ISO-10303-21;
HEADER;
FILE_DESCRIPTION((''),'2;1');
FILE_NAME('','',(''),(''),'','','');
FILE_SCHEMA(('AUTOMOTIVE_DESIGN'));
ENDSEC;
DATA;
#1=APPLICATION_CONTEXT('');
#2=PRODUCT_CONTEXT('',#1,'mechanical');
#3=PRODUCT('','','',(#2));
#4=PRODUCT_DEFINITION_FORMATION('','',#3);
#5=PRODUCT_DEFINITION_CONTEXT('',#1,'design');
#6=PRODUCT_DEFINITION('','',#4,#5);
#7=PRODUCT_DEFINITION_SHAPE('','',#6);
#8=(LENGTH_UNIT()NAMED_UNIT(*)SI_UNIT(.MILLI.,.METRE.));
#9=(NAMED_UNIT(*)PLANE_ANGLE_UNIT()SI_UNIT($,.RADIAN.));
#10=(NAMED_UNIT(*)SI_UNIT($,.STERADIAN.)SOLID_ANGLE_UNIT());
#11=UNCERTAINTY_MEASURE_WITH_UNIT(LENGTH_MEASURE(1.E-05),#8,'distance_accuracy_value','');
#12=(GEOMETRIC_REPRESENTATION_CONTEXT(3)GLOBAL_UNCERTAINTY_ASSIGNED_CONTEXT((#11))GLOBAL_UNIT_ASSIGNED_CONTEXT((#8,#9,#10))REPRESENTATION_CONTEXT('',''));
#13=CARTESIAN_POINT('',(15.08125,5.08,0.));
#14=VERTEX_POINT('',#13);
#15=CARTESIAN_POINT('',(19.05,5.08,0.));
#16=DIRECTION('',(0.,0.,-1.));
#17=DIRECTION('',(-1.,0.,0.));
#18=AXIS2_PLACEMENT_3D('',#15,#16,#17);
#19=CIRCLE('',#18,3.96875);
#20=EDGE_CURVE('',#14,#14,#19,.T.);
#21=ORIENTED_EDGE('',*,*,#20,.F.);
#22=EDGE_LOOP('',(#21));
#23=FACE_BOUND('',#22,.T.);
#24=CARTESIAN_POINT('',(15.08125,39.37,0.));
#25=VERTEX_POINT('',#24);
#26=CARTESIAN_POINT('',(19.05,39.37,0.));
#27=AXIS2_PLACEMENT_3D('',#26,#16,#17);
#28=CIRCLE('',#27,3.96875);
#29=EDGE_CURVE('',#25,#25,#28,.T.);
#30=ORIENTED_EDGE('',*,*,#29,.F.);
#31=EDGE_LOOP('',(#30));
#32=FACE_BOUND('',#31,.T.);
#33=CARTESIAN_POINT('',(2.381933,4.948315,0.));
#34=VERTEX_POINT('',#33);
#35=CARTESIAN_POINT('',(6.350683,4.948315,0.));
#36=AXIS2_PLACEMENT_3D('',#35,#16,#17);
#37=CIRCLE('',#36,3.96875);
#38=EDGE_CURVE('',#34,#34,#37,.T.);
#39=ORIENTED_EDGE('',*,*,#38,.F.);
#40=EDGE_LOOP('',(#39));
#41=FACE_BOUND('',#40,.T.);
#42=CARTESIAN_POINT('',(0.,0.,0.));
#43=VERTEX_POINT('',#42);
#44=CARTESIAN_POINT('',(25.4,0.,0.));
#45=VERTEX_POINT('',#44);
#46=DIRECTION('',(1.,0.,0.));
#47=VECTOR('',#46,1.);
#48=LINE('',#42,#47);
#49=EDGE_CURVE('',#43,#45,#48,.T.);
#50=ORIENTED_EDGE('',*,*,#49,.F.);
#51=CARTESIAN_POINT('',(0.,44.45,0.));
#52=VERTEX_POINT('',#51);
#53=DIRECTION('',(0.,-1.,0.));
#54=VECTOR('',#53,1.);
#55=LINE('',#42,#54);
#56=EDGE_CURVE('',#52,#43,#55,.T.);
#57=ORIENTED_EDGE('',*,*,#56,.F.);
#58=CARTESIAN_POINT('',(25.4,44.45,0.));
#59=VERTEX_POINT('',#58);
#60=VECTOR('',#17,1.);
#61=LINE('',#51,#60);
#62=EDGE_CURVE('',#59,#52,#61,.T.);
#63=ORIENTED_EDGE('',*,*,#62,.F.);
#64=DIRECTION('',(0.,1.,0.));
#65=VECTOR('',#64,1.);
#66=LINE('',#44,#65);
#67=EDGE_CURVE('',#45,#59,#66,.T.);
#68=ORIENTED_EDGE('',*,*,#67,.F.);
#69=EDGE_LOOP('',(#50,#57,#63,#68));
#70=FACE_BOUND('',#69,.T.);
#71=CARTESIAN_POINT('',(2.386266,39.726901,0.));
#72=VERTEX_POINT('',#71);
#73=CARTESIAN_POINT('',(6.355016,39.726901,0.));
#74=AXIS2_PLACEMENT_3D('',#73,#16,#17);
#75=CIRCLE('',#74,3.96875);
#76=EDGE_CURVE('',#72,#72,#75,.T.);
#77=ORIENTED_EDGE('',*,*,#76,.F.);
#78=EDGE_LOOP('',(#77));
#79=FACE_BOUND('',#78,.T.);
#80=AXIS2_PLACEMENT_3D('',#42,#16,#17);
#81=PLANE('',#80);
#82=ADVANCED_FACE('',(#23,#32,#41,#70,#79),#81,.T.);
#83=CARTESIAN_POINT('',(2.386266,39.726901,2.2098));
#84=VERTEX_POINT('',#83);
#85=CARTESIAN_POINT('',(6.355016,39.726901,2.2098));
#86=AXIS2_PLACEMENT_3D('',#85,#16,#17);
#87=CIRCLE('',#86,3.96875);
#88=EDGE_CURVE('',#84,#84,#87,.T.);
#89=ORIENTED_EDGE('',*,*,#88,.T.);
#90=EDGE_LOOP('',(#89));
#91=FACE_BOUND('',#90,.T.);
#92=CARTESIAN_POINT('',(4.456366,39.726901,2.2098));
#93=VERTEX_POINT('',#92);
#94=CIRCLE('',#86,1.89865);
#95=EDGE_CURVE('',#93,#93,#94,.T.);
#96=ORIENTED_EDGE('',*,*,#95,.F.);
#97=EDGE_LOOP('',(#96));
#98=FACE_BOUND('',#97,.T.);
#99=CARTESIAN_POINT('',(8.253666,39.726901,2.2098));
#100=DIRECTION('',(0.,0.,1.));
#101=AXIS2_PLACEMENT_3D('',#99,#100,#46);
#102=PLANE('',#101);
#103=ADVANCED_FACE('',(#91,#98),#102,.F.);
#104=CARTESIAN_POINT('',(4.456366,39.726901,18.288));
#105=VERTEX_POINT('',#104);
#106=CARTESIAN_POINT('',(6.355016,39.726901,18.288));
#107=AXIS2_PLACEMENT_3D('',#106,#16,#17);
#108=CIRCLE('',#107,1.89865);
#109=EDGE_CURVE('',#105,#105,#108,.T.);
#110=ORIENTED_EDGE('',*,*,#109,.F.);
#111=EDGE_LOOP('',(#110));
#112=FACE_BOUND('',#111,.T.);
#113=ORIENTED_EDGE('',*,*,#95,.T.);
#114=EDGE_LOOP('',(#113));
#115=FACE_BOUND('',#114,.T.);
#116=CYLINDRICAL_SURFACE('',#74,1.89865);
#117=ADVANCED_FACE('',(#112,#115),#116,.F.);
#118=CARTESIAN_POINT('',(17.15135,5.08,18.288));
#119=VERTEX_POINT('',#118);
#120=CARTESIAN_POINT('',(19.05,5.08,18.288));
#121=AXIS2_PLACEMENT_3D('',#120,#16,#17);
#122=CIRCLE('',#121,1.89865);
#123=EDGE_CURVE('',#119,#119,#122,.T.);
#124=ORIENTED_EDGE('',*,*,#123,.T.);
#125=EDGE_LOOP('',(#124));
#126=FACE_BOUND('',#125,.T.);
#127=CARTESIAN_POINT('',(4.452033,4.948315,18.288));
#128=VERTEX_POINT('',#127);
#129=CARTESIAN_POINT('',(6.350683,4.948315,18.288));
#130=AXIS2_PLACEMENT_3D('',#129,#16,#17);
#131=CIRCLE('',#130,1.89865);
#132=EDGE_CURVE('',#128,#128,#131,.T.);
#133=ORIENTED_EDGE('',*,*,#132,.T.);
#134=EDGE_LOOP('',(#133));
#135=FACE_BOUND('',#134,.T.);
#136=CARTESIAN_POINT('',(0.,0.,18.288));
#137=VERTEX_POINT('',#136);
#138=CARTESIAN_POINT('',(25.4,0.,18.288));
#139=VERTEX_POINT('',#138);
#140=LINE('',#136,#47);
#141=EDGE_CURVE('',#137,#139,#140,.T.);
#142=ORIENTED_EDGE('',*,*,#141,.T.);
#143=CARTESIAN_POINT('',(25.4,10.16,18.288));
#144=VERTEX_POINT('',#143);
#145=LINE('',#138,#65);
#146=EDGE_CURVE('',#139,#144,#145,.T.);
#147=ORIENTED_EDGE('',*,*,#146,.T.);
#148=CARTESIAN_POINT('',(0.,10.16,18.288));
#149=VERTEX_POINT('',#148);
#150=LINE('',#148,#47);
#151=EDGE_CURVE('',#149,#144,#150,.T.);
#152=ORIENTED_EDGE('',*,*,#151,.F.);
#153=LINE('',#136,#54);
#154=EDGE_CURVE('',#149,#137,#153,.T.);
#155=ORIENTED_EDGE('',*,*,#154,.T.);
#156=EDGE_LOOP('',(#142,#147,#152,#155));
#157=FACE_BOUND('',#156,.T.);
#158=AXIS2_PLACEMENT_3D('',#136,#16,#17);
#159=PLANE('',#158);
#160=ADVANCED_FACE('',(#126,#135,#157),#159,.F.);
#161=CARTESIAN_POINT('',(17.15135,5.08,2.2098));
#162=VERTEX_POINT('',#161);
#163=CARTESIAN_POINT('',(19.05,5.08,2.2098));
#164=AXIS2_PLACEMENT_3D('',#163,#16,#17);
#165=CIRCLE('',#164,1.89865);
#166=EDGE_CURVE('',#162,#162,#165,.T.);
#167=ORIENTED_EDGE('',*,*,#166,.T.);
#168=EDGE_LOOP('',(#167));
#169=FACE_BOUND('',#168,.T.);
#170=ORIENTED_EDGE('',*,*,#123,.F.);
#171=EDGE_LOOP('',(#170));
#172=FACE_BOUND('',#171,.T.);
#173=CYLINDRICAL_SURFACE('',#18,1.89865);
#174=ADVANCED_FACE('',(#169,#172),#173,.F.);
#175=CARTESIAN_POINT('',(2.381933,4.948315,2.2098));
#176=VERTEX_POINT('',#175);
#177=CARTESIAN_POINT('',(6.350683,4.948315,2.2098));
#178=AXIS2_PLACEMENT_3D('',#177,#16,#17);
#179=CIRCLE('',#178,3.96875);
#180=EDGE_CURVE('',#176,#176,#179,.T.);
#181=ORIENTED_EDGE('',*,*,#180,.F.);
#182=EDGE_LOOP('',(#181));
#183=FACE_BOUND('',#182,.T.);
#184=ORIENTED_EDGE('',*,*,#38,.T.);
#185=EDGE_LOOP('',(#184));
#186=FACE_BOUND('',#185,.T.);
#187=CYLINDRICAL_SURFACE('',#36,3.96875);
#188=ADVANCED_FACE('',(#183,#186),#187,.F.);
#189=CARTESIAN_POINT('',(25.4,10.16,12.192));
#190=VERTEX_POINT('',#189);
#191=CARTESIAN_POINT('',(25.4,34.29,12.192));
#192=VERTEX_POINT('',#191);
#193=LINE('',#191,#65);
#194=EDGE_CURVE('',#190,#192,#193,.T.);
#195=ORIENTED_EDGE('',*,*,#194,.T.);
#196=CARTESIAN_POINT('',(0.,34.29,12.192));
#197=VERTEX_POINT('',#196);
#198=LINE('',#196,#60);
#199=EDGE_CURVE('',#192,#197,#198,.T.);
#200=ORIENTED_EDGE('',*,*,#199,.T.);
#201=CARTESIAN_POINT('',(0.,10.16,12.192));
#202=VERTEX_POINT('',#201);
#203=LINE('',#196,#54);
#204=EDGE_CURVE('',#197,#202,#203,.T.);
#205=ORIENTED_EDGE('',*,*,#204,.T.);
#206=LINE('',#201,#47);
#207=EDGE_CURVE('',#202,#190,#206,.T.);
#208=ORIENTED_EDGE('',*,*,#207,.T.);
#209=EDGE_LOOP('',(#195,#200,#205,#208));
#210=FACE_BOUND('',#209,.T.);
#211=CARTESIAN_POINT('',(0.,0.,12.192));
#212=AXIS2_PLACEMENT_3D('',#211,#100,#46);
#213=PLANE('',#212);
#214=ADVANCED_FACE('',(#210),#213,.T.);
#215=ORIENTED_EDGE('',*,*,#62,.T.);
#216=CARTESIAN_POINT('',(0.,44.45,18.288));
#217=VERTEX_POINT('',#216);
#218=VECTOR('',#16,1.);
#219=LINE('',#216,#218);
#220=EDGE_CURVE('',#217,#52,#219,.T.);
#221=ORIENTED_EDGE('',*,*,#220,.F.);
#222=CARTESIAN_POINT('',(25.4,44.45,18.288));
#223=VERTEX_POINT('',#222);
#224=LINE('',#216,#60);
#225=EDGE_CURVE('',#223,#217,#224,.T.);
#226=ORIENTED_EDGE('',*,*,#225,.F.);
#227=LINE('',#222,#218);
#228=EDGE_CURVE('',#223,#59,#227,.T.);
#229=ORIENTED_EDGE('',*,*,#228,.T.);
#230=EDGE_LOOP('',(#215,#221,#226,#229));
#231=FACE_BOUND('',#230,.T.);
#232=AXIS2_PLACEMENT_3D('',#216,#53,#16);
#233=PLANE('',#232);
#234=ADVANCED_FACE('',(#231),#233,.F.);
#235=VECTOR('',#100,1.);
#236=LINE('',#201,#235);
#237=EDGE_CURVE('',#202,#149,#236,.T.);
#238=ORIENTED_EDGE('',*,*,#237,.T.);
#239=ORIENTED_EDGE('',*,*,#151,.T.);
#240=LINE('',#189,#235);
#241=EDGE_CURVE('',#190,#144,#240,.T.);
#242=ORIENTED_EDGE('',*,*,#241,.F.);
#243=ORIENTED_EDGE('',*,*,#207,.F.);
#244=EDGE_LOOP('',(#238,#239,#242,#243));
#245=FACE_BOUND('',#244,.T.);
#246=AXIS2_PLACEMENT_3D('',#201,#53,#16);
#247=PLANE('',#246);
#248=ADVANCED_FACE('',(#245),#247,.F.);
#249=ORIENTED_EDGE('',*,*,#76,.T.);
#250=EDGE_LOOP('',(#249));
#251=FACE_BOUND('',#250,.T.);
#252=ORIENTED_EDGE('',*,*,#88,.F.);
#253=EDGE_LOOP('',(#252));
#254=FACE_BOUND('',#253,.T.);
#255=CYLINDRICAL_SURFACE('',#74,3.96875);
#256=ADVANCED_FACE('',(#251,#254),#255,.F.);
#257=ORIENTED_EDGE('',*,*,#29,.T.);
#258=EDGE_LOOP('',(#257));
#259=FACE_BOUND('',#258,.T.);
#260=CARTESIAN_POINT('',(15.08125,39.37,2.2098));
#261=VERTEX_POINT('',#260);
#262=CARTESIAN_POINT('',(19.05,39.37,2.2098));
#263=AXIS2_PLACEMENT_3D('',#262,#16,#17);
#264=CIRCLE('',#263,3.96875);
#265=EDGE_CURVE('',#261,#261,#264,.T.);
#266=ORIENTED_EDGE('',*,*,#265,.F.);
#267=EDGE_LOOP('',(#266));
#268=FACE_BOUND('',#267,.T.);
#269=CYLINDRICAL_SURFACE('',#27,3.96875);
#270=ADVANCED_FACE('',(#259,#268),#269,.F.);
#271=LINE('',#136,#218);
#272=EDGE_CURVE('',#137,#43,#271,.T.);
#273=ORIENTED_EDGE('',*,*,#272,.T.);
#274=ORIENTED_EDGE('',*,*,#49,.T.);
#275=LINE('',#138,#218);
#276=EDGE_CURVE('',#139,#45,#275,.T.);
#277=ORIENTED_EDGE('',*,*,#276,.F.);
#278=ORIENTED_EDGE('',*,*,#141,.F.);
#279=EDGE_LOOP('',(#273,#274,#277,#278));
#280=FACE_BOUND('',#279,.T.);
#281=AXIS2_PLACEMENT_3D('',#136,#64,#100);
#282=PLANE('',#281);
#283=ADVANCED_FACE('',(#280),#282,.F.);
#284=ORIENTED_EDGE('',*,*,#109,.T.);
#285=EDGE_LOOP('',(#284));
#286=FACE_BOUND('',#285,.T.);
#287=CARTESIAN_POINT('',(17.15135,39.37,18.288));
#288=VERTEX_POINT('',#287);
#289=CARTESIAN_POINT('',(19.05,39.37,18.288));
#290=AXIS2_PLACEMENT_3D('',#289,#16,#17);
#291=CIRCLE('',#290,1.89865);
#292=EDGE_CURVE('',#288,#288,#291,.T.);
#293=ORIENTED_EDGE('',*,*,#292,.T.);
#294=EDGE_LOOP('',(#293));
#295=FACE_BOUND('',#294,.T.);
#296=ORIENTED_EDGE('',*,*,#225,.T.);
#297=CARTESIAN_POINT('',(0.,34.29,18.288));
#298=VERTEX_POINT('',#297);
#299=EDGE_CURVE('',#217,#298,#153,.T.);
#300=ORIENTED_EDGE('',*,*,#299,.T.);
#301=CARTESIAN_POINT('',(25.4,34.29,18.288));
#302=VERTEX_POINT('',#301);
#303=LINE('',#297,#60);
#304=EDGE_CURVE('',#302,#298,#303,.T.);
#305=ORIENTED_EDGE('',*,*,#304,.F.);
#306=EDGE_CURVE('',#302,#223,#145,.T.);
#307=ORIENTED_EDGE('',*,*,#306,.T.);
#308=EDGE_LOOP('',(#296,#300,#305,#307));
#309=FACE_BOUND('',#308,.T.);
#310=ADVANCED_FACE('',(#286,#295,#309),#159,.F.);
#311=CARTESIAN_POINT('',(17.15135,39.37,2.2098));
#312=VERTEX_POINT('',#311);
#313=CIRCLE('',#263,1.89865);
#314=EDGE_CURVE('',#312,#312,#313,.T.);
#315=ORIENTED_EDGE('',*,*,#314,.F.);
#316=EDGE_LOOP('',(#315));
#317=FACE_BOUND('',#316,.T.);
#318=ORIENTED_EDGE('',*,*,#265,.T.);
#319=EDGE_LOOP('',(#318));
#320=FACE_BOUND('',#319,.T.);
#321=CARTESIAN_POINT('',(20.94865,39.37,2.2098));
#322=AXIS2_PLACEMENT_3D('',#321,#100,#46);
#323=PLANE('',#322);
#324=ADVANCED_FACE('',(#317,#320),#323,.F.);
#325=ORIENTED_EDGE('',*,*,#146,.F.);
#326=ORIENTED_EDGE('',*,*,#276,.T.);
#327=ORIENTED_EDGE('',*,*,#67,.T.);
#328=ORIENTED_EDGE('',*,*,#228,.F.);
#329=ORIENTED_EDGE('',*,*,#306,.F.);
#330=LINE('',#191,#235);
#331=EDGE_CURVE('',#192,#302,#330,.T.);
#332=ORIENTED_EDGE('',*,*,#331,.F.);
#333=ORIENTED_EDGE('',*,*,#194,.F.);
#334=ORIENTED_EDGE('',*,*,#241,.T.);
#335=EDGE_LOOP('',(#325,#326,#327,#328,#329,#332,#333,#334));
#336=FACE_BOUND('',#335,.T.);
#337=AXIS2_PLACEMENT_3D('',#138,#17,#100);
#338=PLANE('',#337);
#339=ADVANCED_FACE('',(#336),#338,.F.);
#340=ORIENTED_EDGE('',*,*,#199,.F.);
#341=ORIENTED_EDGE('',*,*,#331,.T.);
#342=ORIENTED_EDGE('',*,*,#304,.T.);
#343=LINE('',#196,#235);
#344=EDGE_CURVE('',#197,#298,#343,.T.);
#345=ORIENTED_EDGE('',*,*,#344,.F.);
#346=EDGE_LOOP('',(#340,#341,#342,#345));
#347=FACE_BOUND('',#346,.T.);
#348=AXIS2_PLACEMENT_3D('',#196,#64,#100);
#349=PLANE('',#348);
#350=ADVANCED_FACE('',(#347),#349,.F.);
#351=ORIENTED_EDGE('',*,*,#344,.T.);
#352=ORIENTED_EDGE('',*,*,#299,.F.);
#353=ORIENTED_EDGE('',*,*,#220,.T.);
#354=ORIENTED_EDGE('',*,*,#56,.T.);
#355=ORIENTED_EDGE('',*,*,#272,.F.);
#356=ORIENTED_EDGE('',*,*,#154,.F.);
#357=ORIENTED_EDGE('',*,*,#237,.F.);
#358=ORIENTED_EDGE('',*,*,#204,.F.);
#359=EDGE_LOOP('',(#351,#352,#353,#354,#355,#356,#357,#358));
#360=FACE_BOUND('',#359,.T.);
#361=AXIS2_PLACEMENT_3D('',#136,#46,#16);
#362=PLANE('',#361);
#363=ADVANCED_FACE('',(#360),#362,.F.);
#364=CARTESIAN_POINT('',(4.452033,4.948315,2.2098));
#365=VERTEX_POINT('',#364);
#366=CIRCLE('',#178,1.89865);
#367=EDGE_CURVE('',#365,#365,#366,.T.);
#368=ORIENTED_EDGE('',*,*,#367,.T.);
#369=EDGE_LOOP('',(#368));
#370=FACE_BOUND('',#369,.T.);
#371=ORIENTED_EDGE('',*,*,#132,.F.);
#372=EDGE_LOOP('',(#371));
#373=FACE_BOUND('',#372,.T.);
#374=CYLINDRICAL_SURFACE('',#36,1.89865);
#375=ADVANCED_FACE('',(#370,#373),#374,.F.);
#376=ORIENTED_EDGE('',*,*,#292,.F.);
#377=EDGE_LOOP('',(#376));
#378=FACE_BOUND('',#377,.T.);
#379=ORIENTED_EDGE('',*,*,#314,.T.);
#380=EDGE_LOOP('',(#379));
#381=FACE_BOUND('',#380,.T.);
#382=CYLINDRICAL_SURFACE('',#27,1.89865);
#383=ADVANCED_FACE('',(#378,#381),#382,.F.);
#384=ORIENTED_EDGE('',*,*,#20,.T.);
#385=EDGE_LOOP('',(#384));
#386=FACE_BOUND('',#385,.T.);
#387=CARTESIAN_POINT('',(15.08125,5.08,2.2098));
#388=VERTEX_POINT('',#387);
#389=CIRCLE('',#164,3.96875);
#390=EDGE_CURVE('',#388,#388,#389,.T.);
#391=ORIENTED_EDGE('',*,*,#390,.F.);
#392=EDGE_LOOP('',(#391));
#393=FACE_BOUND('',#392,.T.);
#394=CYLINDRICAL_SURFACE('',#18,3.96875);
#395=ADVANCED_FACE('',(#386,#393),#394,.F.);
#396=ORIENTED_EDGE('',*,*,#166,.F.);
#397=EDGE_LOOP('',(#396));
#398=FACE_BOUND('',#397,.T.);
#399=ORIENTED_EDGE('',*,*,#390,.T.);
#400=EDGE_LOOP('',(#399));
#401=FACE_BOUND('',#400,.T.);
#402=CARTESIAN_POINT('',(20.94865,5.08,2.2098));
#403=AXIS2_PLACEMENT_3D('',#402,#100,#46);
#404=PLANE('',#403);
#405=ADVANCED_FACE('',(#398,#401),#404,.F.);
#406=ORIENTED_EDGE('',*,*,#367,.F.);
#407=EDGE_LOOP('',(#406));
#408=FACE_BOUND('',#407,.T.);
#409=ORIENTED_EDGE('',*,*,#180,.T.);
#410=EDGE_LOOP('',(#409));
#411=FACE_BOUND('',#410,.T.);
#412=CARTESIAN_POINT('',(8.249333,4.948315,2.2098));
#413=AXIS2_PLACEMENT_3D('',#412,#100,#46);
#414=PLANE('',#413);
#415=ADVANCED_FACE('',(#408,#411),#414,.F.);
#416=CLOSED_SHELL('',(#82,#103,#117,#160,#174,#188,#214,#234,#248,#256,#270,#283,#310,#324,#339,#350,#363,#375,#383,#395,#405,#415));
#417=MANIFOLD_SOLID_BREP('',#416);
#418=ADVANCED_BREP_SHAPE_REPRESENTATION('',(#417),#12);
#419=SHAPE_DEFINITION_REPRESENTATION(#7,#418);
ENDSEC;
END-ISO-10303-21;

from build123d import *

# Parameters (mm, degrees)
SKETCH1_W                                           = 25.4
SKETCH1_H                                           = 44.45
BOSS_EXTRUDE2_DEPTH                                 = 18.288
SKETCH3_W                                           = 25.4
SKETCH3_H                                           = 24.13
CUT_EXTRUDE1_DEPTH                                  = 6.096
CBORE_FOR_6_BINDING_HEAD_MACHINE_SCREW1_D           = 3.7973
CBORE_FOR_6_BINDING_HEAD_MACHINE_SCREW1_CBORE_D     = 7.9375
CBORE_FOR_6_BINDING_HEAD_MACHINE_SCREW1_CBORE_DEPTH = 2.2098


with BuildPart() as part:
    # Sketch1 → Boss-Extrude2 (new body)
    with BuildSketch(Plane.XY):
        with Locations((12.7, 22.225)):
            Rectangle(SKETCH1_W, SKETCH1_H)
    extrude(amount=BOSS_EXTRUDE2_DEPTH)

    # Sketch3 → Cut-Extrude1 (cut)
    with BuildSketch(Plane.XY.offset(18.288)):
        with Locations((12.7, 22.225)):
            Rectangle(SKETCH3_W, SKETCH3_H)
    extrude(amount=-CUT_EXTRUDE1_DEPTH, mode=Mode.SUBTRACT)

    # CBORE for #6 Binding Head Machine Screw1 (through all)
    with Locations(Plane(origin=(19.05, 5.08, 0), x_dir=(-1, 0, 0), z_dir=(0, 0, -1))):
        with Locations((0, 0), (12.699317265, -0.131685219), (0, 34.29), (12.694984111, 34.646901144)):
            CounterBoreHole(CBORE_FOR_6_BINDING_HEAD_MACHINE_SCREW1_D / 2, CBORE_FOR_6_BINDING_HEAD_MACHINE_SCREW1_CBORE_D / 2, CBORE_FOR_6_BINDING_HEAD_MACHINE_SCREW1_CBORE_DEPTH)


solid = part.part
